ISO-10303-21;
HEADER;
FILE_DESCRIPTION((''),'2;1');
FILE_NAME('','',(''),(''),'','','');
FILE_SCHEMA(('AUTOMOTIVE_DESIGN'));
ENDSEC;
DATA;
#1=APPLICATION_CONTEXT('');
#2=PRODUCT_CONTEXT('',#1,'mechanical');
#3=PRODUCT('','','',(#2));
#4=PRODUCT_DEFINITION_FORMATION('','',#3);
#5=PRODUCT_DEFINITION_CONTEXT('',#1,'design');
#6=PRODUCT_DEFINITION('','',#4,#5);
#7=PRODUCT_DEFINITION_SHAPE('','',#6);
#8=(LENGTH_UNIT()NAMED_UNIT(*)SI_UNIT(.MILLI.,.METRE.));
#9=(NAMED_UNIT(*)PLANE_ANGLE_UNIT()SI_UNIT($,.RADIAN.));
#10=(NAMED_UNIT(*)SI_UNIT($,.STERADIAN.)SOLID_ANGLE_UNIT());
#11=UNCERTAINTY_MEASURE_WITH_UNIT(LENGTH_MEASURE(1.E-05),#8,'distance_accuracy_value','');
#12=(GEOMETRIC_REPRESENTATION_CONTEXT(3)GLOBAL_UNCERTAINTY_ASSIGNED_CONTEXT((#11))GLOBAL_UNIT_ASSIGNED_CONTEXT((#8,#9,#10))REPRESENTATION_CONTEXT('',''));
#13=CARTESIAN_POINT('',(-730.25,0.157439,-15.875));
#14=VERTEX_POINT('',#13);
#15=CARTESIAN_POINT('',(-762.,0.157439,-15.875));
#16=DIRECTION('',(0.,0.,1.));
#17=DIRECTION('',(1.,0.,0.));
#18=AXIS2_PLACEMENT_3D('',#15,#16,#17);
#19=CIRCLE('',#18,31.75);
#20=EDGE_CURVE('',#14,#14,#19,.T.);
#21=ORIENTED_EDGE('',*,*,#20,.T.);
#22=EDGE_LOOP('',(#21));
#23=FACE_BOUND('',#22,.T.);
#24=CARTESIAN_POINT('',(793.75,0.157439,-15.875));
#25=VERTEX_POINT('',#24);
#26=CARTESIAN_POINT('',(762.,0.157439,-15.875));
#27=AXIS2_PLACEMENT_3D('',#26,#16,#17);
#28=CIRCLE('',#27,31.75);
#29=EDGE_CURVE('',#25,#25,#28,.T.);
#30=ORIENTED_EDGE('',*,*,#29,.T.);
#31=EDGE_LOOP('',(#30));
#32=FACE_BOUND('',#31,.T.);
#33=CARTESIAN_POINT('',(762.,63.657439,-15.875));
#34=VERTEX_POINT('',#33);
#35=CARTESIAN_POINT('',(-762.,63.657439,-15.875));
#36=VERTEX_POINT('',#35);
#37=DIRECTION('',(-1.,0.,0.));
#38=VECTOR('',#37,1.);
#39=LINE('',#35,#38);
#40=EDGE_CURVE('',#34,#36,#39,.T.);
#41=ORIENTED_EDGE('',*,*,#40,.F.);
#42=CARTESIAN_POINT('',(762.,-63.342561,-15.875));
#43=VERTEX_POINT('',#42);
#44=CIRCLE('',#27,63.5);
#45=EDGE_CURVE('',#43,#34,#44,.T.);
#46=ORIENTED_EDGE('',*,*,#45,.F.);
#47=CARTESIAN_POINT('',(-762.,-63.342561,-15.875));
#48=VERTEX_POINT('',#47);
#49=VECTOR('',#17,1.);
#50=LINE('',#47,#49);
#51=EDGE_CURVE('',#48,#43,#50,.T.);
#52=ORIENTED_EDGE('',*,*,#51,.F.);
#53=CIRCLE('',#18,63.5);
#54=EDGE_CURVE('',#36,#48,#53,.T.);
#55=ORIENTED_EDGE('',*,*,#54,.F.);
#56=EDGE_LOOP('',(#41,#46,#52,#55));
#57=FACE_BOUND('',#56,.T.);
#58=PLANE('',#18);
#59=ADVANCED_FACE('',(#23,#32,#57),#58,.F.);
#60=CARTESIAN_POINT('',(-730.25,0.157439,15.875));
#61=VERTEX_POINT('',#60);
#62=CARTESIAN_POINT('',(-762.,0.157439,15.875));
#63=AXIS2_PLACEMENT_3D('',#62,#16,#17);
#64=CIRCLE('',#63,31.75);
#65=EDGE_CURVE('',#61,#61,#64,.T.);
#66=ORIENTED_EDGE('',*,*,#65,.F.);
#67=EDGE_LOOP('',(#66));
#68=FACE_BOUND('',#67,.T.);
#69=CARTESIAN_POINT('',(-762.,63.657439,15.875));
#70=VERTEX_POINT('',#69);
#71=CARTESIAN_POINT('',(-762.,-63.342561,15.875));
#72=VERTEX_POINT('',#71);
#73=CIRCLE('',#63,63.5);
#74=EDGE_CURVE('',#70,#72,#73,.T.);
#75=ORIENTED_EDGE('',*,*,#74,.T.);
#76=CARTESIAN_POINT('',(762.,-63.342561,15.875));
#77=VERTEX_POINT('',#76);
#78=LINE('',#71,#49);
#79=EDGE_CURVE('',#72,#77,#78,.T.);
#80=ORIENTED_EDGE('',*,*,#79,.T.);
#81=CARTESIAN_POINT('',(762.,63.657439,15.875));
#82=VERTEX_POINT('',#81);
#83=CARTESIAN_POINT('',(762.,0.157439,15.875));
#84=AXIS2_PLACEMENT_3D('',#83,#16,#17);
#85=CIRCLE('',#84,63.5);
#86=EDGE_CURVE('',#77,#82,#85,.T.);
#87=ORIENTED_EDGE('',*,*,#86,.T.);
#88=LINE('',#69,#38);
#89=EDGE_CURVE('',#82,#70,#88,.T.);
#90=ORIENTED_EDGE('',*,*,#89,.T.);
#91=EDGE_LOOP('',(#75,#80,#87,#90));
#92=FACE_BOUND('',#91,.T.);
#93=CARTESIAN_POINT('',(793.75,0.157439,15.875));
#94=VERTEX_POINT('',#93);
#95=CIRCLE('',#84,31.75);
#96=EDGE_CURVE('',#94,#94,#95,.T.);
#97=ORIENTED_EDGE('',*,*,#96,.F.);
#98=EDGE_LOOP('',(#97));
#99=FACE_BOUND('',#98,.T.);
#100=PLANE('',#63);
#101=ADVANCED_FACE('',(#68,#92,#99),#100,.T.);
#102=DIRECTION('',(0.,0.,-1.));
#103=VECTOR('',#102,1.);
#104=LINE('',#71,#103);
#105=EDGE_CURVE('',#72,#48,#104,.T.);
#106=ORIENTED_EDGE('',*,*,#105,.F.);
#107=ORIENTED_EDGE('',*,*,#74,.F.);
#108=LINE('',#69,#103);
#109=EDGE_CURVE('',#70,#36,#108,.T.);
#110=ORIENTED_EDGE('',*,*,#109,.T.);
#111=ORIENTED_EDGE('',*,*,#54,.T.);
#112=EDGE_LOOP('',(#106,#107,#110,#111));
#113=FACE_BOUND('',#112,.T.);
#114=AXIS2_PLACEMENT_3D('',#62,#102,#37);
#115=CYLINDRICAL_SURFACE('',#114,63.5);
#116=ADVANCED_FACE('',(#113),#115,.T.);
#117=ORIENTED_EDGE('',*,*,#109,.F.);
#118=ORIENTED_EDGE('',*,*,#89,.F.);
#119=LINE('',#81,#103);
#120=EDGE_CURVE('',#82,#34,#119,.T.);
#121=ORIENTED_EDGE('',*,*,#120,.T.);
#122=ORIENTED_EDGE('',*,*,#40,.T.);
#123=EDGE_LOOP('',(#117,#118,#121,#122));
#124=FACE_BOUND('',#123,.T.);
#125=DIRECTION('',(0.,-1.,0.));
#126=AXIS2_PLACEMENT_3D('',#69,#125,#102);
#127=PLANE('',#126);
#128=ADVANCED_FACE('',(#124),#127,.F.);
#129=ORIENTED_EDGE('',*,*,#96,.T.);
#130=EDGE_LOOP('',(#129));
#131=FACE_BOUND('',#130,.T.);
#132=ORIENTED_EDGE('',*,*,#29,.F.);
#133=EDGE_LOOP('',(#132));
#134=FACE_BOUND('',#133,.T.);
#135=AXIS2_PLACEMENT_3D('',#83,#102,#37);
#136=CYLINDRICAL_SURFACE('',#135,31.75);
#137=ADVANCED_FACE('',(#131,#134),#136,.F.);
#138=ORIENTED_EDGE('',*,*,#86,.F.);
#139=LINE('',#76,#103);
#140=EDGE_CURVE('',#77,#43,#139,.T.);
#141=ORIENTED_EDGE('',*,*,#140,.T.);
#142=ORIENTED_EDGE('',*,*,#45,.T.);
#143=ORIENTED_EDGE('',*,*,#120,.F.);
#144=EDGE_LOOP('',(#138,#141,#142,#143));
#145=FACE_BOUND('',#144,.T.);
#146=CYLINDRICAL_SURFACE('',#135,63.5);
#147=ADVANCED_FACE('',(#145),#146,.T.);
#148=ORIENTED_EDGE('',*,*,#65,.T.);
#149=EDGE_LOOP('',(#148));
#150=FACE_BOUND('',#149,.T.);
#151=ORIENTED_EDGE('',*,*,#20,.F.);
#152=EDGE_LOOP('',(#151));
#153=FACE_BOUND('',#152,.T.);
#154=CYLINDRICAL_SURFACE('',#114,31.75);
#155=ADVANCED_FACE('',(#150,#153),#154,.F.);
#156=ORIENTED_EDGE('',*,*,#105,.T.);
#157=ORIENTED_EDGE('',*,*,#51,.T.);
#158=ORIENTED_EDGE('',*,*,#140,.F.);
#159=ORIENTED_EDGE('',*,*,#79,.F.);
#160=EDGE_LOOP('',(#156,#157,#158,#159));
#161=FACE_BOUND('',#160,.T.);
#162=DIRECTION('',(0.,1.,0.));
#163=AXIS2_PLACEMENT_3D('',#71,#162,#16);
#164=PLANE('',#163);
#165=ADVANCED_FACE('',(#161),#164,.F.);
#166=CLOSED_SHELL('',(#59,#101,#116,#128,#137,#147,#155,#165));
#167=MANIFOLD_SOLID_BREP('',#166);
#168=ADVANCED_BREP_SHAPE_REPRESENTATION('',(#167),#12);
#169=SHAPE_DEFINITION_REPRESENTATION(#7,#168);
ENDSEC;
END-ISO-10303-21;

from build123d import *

# Parameters (mm, degrees)
SKETCH1_R           = 31.75
BOSS_EXTRUDE1_DEPTH = 15.875


with BuildPart() as part:
    # Sketch1 → Boss-Extrude1 (new, symmetric)
    with BuildSketch(Plane.XY):
        with BuildLine():
            Line((-762, 63.657439452), (762, 63.657439452))
            ThreePointArc((762, 63.657439452), (825.5, 0.157439452), (762, -63.342560548))
            Line((762, -63.342560548), (-762, -63.342560548))
            ThreePointArc((-762, -63.342560548), (-825.5, 0.157439452), (-762, 63.657439452))
        make_face()
        with Locations((-762, 0.157439452)):
            Circle(SKETCH1_R, mode=Mode.SUBTRACT)
        with Locations((762, 0.157439452)):
            Circle(SKETCH1_R, mode=Mode.SUBTRACT)
    extrude(amount=BOSS_EXTRUDE1_DEPTH, both=True)


solid = part.part
